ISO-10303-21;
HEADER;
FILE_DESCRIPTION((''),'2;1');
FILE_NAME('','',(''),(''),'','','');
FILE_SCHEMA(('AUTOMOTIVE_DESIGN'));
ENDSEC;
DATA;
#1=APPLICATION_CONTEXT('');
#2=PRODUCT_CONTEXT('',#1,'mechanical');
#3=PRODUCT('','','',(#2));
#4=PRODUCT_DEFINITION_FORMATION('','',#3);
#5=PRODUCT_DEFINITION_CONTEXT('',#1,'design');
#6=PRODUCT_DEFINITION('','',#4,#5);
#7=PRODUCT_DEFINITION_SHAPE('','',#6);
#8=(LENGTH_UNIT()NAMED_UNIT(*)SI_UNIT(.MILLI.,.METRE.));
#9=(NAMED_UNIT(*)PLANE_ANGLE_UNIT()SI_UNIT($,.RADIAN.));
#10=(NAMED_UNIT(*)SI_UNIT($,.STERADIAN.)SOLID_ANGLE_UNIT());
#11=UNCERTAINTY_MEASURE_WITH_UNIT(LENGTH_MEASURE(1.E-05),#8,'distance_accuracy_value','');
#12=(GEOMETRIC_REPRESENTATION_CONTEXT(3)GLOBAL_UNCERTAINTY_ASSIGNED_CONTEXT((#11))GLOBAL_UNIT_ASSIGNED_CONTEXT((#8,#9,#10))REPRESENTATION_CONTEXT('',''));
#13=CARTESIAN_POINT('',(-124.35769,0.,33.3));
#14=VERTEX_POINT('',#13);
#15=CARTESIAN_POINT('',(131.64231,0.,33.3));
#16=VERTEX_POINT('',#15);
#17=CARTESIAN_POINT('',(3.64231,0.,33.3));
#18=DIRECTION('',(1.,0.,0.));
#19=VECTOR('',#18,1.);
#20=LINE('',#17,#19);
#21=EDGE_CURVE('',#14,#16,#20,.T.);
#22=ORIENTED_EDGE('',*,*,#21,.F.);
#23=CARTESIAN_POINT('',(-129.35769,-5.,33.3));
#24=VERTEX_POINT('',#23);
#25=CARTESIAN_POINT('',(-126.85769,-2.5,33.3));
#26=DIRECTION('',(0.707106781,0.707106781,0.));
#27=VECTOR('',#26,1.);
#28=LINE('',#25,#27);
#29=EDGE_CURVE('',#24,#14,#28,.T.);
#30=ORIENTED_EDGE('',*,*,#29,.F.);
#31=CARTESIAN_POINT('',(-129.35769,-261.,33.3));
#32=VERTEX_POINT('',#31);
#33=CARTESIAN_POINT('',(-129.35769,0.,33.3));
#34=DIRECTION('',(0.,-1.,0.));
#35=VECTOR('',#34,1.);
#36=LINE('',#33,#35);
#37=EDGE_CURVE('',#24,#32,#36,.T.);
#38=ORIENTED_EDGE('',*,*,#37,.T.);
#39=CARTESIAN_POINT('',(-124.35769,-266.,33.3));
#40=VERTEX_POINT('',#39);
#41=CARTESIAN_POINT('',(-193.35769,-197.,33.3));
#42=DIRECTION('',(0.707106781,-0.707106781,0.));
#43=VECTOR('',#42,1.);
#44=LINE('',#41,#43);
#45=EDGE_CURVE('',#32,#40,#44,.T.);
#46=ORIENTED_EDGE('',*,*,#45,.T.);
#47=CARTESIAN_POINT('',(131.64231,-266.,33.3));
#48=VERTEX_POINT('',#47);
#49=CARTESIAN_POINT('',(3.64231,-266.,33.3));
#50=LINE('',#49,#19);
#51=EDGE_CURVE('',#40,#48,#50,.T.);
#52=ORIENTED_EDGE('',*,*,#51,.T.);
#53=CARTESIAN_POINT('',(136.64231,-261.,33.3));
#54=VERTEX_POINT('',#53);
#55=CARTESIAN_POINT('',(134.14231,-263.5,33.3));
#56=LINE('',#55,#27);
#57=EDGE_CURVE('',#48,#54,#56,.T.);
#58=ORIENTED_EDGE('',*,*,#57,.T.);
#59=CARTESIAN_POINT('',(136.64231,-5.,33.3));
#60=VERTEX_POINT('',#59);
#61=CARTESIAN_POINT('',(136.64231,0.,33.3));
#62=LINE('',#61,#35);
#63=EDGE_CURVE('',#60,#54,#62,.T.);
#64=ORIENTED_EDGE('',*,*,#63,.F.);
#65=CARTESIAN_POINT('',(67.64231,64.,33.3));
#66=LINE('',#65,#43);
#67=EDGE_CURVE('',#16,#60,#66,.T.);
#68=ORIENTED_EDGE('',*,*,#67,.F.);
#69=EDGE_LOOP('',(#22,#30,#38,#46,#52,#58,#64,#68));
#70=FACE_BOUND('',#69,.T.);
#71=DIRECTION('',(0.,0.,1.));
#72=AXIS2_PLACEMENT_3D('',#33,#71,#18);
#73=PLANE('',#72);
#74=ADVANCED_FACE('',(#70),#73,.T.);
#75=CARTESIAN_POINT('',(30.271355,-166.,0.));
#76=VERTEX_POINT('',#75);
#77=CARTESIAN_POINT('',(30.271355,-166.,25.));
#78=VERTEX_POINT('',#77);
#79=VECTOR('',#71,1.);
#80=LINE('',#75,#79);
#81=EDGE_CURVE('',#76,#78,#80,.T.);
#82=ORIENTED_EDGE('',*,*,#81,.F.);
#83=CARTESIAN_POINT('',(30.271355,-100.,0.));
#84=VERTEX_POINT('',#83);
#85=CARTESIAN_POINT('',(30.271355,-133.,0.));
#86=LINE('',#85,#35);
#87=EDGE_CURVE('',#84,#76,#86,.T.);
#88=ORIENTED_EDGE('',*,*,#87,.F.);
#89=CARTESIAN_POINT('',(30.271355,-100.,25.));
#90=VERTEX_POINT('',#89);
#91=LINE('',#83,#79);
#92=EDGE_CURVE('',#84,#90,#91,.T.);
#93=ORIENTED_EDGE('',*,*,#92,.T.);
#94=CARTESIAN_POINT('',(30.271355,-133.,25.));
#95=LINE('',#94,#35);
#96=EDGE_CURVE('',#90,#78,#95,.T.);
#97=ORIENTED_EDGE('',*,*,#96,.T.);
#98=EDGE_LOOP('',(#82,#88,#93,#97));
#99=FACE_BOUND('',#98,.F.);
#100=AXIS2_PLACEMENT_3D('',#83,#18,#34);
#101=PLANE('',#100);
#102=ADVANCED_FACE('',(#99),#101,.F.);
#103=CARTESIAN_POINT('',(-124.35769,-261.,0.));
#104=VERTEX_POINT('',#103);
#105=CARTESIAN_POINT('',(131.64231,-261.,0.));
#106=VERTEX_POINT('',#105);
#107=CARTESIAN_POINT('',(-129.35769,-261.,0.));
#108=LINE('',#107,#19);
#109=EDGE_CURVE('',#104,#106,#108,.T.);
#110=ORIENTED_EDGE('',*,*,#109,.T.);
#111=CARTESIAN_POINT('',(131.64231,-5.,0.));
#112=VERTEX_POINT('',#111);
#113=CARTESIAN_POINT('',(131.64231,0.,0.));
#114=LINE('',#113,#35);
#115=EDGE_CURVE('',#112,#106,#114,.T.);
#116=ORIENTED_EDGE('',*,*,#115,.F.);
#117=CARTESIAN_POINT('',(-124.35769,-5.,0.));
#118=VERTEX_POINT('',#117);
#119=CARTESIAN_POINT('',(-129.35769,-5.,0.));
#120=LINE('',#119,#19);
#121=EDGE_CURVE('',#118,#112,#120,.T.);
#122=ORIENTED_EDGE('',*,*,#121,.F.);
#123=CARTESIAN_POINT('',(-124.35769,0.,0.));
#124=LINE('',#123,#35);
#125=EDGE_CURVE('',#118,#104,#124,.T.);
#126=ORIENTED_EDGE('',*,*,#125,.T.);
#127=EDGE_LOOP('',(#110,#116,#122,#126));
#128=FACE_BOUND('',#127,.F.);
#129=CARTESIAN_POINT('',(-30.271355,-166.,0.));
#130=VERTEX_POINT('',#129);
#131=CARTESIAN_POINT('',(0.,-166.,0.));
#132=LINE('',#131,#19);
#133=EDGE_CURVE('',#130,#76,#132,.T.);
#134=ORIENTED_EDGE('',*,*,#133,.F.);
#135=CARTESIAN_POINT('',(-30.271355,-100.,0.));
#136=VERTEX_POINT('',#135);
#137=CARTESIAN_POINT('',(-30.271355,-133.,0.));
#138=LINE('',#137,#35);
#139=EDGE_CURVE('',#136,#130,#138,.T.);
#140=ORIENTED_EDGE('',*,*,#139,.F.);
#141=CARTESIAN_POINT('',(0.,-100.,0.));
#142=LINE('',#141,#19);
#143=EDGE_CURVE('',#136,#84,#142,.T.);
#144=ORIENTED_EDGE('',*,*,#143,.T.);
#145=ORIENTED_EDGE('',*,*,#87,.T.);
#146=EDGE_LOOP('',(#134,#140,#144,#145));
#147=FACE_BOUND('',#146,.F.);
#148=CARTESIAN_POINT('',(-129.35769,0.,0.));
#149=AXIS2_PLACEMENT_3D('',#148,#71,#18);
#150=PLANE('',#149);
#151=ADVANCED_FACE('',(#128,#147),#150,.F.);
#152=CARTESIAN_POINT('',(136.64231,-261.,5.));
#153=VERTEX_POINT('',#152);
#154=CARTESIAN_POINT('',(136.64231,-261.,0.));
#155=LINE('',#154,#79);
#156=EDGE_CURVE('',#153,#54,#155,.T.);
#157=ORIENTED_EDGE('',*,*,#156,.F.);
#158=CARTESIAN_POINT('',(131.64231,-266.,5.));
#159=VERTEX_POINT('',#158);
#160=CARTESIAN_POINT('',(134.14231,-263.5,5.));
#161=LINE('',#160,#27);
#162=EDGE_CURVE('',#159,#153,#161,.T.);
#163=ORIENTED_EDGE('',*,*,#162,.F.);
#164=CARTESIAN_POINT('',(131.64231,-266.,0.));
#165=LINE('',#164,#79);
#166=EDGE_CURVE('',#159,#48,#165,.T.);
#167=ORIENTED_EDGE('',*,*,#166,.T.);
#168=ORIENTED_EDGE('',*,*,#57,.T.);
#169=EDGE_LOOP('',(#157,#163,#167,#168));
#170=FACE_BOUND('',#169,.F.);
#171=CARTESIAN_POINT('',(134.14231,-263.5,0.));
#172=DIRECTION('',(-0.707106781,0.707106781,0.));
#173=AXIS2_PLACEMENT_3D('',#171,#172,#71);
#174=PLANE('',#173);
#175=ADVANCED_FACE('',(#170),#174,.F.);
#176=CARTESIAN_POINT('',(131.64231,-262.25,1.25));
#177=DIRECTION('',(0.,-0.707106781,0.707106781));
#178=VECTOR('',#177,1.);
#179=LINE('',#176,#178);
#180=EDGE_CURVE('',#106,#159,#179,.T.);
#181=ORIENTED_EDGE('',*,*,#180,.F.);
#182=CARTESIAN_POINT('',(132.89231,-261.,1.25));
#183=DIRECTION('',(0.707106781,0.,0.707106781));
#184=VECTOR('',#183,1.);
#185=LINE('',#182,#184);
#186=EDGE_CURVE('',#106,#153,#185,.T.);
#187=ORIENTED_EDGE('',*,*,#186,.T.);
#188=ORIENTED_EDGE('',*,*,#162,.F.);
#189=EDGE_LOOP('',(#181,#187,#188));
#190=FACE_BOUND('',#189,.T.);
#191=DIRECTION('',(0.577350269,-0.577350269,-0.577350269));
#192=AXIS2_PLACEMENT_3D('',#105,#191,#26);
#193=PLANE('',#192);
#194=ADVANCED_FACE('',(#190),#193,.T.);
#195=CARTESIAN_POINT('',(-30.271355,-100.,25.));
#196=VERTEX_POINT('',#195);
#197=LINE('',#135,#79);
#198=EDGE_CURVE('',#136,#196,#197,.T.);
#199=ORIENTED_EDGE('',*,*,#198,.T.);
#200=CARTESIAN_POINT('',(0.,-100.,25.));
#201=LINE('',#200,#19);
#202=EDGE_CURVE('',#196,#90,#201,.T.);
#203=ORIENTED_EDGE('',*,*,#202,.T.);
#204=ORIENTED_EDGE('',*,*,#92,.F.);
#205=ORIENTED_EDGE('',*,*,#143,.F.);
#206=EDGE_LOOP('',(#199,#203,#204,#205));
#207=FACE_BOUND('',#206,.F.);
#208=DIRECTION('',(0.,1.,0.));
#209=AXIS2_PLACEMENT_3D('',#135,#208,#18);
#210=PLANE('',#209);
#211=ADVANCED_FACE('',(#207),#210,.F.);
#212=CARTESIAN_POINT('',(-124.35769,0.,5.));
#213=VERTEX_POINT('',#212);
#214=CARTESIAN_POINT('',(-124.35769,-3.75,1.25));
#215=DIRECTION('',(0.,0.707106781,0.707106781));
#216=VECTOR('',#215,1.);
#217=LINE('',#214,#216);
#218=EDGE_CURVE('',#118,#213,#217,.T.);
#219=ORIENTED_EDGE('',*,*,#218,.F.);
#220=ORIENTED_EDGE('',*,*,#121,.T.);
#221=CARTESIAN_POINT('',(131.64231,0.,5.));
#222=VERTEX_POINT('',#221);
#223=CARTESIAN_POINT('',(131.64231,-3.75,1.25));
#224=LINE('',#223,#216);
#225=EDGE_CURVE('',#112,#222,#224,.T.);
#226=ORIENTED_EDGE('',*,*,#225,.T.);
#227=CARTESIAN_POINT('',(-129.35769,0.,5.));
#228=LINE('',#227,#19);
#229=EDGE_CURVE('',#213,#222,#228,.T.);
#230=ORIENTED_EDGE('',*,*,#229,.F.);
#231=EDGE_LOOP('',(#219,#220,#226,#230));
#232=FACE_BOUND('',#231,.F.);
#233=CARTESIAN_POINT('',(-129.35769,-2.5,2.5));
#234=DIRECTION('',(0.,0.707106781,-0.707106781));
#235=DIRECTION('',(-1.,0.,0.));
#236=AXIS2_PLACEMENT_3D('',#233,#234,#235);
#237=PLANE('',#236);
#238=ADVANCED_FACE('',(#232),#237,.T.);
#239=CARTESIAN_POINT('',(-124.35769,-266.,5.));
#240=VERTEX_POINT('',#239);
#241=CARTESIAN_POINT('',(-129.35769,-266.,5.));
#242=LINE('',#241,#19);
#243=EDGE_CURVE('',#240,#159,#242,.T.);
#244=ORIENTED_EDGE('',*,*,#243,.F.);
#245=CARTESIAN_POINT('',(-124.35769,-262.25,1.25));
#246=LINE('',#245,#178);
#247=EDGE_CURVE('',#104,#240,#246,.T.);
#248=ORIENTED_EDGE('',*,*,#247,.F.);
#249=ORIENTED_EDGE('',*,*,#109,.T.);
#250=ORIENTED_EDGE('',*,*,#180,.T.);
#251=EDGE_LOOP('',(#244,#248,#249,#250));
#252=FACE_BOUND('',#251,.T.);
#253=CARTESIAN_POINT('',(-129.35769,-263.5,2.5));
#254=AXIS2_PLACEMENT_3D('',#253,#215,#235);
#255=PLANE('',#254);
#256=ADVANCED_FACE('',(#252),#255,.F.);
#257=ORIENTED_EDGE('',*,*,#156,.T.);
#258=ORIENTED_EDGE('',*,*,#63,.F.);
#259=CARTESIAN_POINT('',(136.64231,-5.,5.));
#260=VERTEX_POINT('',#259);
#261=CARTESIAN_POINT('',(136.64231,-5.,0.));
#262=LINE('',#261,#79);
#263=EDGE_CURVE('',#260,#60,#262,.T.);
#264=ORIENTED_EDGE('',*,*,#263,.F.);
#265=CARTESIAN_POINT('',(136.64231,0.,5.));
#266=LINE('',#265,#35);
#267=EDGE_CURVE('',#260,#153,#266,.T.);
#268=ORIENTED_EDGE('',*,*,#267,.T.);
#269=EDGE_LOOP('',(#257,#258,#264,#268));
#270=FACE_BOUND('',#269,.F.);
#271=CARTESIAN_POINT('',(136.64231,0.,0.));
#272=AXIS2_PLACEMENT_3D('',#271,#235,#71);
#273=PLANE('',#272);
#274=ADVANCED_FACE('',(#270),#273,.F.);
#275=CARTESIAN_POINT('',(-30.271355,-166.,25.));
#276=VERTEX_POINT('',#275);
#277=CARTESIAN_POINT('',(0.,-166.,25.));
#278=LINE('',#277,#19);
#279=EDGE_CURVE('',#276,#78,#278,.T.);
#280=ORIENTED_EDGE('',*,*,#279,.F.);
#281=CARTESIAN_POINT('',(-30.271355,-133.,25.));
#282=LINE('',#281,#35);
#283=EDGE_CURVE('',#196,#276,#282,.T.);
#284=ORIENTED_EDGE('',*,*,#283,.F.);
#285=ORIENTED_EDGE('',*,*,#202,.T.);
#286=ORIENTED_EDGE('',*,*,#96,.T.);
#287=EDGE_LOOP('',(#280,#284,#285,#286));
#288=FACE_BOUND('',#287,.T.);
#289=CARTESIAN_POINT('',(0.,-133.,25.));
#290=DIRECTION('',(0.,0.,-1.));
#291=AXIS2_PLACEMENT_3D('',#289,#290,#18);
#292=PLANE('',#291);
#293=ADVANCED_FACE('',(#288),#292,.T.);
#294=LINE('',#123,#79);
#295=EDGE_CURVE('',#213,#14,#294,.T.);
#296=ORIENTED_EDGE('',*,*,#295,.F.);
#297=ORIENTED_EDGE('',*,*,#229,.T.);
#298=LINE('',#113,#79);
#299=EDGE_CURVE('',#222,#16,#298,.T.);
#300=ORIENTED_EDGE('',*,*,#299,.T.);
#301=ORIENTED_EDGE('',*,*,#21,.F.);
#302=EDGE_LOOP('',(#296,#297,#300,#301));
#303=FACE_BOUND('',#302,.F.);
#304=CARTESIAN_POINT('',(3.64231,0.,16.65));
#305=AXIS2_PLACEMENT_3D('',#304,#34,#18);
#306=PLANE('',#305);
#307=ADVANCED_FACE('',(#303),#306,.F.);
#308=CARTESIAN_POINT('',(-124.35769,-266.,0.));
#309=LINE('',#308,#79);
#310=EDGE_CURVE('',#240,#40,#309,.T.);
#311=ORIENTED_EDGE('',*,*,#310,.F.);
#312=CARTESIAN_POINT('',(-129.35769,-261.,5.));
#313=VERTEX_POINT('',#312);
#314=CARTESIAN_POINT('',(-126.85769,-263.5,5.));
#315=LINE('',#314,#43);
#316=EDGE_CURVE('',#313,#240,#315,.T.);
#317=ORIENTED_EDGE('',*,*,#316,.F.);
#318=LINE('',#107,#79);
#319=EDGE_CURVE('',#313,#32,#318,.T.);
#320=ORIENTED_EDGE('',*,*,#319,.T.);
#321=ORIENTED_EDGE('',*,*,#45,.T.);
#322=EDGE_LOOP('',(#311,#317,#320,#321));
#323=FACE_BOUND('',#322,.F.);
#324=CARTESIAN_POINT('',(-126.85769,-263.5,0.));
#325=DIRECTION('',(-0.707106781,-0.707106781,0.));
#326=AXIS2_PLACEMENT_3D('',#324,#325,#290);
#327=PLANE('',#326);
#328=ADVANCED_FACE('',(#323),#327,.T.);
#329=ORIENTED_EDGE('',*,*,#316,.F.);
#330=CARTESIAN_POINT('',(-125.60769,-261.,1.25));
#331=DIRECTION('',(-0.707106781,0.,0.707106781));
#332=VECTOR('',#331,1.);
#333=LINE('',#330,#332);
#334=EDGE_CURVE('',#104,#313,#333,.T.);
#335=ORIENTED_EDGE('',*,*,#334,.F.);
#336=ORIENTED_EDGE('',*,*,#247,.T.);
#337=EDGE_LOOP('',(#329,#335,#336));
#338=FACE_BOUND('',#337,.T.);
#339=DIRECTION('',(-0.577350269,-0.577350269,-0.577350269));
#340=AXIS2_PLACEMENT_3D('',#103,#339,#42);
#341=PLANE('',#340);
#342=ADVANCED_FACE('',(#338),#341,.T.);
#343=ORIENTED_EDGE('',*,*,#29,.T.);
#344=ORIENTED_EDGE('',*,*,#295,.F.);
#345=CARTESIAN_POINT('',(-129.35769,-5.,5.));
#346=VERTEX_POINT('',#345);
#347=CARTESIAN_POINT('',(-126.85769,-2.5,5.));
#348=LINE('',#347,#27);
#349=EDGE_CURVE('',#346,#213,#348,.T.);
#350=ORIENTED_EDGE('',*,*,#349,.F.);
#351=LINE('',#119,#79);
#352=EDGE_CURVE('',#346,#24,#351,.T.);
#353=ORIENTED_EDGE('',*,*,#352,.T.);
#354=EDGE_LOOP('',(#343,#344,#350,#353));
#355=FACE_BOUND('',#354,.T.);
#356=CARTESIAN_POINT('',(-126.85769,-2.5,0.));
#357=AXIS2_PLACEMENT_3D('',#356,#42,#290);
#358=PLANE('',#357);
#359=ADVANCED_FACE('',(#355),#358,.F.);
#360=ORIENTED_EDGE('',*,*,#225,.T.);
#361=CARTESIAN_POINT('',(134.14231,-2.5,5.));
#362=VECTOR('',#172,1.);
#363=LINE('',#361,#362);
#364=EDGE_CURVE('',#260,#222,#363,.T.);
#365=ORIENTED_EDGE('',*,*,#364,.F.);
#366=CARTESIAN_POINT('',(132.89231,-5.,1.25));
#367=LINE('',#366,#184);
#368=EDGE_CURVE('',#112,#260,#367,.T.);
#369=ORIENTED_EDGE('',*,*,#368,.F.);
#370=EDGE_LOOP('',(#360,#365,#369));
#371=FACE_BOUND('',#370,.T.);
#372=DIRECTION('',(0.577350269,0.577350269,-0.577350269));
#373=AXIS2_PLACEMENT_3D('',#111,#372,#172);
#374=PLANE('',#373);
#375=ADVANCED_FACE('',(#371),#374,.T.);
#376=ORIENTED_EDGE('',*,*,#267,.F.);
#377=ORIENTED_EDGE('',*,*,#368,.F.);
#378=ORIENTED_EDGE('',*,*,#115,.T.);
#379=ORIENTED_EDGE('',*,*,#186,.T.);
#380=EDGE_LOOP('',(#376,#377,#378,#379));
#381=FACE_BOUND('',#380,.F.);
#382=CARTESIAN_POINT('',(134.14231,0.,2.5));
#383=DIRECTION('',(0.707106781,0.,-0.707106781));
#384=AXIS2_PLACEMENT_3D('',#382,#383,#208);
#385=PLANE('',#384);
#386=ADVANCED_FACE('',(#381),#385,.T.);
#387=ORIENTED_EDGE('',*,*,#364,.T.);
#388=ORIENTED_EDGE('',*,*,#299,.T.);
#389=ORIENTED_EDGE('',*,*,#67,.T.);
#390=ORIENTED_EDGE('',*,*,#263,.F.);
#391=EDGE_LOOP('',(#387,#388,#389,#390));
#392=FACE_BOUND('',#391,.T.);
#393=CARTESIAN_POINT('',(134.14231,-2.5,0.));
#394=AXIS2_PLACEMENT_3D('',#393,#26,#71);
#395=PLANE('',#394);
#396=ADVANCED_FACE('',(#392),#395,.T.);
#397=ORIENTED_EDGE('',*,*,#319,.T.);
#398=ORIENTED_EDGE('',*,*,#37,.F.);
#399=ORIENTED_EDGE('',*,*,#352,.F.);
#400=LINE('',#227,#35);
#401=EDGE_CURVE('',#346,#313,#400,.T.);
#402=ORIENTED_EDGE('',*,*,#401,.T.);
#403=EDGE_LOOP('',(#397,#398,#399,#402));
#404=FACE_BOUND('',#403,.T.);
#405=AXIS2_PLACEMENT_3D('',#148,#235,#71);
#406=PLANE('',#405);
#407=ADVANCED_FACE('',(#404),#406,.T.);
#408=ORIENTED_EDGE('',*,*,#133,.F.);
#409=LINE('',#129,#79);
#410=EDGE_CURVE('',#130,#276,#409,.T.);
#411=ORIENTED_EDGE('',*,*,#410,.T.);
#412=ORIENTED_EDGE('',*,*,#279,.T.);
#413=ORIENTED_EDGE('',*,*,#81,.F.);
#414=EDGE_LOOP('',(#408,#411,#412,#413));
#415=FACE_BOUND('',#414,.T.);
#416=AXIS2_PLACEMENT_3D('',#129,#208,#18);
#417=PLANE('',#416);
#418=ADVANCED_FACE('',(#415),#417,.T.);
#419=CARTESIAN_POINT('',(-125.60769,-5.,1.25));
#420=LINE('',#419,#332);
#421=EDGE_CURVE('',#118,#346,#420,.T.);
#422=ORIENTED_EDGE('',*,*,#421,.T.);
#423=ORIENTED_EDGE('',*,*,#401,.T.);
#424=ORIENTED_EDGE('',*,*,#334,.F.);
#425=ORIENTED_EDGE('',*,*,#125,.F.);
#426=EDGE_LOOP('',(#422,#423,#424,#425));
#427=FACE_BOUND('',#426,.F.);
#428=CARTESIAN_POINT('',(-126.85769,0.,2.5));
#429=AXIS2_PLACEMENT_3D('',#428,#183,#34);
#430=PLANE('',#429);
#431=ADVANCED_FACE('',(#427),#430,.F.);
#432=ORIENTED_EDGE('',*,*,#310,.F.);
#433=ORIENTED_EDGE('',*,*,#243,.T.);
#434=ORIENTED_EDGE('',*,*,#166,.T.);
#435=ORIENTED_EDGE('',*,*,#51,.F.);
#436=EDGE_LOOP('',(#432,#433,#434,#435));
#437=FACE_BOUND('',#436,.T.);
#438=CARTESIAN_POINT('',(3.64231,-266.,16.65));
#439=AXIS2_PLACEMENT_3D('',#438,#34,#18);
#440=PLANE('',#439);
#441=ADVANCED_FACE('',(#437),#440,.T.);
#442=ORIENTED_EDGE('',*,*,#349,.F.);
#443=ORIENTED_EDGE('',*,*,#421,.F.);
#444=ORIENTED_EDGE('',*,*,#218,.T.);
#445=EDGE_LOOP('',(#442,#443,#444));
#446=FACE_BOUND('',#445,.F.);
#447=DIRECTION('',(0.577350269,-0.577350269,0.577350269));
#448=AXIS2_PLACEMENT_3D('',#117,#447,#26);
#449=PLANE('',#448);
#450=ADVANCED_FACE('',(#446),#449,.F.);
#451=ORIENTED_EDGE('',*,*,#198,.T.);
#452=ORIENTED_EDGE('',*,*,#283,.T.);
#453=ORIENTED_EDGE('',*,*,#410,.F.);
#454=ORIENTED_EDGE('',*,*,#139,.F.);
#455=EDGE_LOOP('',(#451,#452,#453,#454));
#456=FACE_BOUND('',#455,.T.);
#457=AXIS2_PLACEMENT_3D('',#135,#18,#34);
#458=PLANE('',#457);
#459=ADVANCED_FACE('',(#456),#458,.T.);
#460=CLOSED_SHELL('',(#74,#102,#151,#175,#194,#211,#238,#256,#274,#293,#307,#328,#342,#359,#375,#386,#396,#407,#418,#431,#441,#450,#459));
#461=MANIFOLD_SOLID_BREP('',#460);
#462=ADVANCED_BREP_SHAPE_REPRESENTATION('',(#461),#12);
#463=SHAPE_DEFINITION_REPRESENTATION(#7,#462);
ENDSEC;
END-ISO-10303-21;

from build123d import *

# Parameters (mm, degrees)
F0_W     = 266
F0_H     = 33.3
F1_DEPTH = 266
F2_W     = 60.54271
F2_H     = 66
F3_DEPTH = 25
F4_SIZE  = 5


with BuildPart() as f1:
    # F0 (on Front) → F1 (new body)
    with BuildSketch(Plane.XZ):
        with Locations((3.64231, 16.65)):
            Rectangle(F0_W, F0_H)
    extrude(amount=F1_DEPTH)

    # F2 (on face) → F3 (cut)
    with BuildSketch(Plane(origin=(0, 0, 0), x_dir=(1, 0, 0), z_dir=(0, 0, -1))):
        with Locations((0, 133)):
            Rectangle(F2_W, F2_H)
    extrude(amount=-F3_DEPTH, mode=Mode.SUBTRACT)

    # F4
    f4_edges = [f1.edges().sort_by_distance(p)[0] for p in [
        (136.64231, -266, 16.65),
        (136.64231, 0, 16.65),
        (-129.35769, 0, 16.65),
        (-129.35769, -266, 16.65),
        (-129.35769, -133, 0),
        (3.64231, -266, 0),
        (136.64231, -133, 0),
        (3.64231, 0, 0),
    ]]
    chamfer(f4_edges, length=F4_SIZE)


solid = f1.part
